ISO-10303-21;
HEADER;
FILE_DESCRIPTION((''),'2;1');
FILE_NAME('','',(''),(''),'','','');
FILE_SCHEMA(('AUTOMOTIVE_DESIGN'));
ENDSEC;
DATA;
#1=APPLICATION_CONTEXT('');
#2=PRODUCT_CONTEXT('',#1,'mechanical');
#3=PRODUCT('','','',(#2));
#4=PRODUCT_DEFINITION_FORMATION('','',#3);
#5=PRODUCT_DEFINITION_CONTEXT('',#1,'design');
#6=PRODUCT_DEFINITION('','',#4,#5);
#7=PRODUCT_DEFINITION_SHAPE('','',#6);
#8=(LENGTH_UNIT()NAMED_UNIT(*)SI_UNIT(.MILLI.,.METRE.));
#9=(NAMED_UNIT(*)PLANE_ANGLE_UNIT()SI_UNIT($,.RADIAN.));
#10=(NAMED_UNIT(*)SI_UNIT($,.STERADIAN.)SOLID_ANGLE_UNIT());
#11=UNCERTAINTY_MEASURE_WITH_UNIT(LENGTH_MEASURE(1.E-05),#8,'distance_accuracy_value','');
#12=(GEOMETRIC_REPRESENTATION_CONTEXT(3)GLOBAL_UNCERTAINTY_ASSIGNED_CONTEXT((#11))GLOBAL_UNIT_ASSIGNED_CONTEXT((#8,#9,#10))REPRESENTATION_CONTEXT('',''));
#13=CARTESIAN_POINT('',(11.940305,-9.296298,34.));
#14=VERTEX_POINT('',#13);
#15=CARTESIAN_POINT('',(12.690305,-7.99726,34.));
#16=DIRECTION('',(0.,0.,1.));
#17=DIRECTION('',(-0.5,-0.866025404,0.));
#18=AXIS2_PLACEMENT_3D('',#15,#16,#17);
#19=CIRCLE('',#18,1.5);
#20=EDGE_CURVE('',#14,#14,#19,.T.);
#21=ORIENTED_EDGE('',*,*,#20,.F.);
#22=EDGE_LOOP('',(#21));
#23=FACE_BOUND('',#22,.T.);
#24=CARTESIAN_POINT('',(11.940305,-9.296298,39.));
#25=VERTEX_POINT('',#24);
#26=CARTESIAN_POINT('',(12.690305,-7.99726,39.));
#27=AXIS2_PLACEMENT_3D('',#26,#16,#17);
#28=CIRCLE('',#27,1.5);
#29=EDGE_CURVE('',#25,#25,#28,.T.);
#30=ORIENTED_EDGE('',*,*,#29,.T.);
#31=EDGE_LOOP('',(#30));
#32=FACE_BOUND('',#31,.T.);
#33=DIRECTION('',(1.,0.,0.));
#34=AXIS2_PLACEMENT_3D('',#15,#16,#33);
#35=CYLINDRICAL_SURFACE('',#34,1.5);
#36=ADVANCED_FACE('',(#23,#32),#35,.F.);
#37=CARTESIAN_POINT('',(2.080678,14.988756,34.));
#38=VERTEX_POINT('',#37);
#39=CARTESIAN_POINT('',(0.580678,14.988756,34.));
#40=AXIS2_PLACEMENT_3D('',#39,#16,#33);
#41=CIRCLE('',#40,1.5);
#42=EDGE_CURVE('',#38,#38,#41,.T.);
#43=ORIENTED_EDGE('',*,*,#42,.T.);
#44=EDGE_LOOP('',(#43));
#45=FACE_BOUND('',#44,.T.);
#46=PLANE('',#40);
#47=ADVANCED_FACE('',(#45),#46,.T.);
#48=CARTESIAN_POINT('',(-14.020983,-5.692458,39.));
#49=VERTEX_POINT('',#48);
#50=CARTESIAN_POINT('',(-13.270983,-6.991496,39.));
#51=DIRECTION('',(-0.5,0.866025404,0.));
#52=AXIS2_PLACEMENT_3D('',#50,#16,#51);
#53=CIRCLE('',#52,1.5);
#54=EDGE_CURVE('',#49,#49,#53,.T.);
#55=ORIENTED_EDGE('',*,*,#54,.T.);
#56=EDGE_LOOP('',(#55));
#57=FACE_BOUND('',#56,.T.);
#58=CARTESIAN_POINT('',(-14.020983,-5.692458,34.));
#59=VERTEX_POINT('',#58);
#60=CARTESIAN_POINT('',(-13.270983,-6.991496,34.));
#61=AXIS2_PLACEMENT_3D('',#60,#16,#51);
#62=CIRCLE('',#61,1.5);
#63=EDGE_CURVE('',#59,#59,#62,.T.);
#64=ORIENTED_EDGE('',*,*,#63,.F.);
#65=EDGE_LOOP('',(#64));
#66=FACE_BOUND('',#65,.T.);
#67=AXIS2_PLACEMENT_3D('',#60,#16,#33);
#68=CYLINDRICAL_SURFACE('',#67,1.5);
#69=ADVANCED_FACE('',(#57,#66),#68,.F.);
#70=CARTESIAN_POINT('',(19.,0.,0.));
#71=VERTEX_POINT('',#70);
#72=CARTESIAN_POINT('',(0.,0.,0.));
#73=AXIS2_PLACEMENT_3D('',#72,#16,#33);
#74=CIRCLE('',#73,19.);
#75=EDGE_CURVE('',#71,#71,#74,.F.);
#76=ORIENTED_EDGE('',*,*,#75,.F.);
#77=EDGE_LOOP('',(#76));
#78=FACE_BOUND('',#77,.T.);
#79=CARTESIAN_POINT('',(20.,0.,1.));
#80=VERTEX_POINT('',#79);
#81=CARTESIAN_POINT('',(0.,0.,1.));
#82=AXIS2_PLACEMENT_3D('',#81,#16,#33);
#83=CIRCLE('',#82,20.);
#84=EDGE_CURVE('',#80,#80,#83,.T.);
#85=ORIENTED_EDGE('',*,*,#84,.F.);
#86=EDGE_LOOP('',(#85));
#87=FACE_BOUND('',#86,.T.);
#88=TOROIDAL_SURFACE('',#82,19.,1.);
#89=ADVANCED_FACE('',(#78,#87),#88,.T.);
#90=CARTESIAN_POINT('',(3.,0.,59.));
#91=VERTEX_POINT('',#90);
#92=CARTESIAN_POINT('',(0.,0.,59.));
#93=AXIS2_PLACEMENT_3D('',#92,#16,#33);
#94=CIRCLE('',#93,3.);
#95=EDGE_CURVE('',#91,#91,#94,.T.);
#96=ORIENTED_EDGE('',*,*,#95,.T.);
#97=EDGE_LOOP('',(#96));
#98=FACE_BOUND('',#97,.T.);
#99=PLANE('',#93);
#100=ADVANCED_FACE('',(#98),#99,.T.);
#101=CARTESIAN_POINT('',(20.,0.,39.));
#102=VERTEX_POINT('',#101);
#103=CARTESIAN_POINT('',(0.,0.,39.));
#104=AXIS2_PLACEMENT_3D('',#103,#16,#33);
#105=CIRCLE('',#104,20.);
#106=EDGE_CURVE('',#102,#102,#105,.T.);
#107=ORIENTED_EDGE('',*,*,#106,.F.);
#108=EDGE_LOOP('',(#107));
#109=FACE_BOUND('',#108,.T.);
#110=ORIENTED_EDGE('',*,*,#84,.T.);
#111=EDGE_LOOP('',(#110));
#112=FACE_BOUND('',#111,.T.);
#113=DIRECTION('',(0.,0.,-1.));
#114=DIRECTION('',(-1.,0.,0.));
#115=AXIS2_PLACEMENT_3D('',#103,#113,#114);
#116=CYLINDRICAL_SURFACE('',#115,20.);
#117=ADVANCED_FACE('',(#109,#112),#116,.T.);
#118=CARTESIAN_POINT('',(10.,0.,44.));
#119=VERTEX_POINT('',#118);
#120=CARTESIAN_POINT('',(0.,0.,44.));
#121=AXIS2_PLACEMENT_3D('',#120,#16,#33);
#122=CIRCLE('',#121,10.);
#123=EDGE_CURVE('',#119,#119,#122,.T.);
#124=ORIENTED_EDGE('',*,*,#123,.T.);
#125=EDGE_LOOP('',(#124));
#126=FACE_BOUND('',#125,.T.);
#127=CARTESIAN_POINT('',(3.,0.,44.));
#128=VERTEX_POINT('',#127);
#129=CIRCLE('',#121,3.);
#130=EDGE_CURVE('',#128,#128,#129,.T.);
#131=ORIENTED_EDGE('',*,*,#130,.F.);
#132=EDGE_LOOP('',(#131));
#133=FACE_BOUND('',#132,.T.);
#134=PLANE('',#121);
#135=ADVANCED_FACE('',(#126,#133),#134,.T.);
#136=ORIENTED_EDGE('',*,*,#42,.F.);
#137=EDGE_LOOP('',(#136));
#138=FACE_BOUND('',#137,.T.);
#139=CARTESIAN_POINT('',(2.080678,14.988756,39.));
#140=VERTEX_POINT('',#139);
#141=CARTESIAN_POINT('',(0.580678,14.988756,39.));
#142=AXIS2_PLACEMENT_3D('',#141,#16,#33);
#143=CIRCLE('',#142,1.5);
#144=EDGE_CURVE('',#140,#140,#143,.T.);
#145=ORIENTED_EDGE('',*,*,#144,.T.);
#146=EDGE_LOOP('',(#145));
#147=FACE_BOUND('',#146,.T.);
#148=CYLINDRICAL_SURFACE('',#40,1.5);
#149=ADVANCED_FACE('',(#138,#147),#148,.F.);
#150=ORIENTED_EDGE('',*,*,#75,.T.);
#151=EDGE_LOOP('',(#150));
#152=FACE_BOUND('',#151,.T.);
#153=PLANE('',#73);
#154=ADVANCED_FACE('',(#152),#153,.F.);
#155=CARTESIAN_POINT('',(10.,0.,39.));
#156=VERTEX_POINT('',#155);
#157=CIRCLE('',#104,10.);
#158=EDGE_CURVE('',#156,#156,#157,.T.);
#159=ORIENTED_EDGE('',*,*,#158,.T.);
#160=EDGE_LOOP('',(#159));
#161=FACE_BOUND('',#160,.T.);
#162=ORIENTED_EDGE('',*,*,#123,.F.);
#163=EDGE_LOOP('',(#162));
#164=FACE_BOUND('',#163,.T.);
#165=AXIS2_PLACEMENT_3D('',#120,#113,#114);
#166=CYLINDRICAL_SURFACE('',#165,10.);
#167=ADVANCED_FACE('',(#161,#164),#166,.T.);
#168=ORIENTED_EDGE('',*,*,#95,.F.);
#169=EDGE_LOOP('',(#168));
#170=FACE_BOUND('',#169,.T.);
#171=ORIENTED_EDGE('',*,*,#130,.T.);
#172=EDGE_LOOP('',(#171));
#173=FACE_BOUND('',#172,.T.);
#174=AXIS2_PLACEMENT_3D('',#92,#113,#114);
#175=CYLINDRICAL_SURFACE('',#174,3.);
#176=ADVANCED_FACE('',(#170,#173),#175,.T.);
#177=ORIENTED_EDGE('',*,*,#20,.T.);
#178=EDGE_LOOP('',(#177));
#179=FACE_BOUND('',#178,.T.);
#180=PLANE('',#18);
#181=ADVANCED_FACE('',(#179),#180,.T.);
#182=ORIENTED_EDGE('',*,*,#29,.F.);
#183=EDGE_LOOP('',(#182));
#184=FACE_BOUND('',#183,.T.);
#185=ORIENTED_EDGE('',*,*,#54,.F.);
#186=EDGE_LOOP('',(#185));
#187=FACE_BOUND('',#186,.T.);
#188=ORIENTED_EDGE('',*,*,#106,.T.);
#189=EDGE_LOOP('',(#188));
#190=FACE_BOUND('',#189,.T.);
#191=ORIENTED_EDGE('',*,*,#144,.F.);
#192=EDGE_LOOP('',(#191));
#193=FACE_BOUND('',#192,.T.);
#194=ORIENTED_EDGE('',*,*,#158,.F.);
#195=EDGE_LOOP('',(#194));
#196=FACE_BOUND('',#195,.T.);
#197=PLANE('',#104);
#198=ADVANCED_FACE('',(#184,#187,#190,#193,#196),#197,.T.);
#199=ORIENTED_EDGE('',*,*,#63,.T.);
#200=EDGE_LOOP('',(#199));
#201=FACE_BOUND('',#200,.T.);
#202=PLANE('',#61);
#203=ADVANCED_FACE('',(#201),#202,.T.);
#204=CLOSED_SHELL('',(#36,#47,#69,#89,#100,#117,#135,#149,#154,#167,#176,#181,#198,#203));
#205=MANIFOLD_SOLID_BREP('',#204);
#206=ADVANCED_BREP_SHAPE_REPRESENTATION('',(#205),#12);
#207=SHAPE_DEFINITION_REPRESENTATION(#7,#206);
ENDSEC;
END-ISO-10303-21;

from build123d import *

# Parameters (mm, degrees)
SKETCH1_R           = 20
BOSS_EXTRUDE1_DEPTH = 39
SKETCH2_R           = 10
BOSS_EXTRUDE2_DEPTH = 5
SKETCH3_R           = 3
BOSS_EXTRUDE3_DEPTH = 15
FILLET1_R           = 1
SKETCH4_R           = 1.5
CUT_EXTRUDE1_DEPTH  = 5
CIRPATTERN1_COUNT   = 3


with BuildPart() as part:
    # Sketch1 → Boss-Extrude1 (new body)
    with BuildSketch(Plane.XY):
        Circle(SKETCH1_R)
    extrude(amount=BOSS_EXTRUDE1_DEPTH)

    # Sketch2 → Boss-Extrude2 (add)
    with BuildSketch(Plane.XY.offset(39)):
        Circle(SKETCH2_R)
    extrude(amount=BOSS_EXTRUDE2_DEPTH)

    # Sketch3 → Boss-Extrude3 (add)
    with BuildSketch(Plane.XY.offset(44)):
        Circle(SKETCH3_R)
    extrude(amount=BOSS_EXTRUDE3_DEPTH)

    # Fillet1
    fillet1_edges = [part.edges().sort_by_distance(p)[0] for p in [
        (-20, 0, 0),
    ]]
    fillet(fillet1_edges, radius=FILLET1_R)

    # Sketch4 → Cut-Extrude1 (cut)
    with BuildSketch(Plane.XY.offset(39)):
        with Locations((0.580678207, 14.988756213)):
            Circle(SKETCH4_R)
    cut_extrude1 = extrude(amount=-CUT_EXTRUDE1_DEPTH, mode=Mode.SUBTRACT)

    # CirPattern1: Cut-Extrude1 ×3 about axis
    cirpattern1_axis = Axis((0, 0, 0), (0, 0, 1))
    for i in range(1, CIRPATTERN1_COUNT):
        add(cut_extrude1.rotate(cirpattern1_axis, i * 360 / CIRPATTERN1_COUNT), mode=Mode.SUBTRACT)


solid = part.part
